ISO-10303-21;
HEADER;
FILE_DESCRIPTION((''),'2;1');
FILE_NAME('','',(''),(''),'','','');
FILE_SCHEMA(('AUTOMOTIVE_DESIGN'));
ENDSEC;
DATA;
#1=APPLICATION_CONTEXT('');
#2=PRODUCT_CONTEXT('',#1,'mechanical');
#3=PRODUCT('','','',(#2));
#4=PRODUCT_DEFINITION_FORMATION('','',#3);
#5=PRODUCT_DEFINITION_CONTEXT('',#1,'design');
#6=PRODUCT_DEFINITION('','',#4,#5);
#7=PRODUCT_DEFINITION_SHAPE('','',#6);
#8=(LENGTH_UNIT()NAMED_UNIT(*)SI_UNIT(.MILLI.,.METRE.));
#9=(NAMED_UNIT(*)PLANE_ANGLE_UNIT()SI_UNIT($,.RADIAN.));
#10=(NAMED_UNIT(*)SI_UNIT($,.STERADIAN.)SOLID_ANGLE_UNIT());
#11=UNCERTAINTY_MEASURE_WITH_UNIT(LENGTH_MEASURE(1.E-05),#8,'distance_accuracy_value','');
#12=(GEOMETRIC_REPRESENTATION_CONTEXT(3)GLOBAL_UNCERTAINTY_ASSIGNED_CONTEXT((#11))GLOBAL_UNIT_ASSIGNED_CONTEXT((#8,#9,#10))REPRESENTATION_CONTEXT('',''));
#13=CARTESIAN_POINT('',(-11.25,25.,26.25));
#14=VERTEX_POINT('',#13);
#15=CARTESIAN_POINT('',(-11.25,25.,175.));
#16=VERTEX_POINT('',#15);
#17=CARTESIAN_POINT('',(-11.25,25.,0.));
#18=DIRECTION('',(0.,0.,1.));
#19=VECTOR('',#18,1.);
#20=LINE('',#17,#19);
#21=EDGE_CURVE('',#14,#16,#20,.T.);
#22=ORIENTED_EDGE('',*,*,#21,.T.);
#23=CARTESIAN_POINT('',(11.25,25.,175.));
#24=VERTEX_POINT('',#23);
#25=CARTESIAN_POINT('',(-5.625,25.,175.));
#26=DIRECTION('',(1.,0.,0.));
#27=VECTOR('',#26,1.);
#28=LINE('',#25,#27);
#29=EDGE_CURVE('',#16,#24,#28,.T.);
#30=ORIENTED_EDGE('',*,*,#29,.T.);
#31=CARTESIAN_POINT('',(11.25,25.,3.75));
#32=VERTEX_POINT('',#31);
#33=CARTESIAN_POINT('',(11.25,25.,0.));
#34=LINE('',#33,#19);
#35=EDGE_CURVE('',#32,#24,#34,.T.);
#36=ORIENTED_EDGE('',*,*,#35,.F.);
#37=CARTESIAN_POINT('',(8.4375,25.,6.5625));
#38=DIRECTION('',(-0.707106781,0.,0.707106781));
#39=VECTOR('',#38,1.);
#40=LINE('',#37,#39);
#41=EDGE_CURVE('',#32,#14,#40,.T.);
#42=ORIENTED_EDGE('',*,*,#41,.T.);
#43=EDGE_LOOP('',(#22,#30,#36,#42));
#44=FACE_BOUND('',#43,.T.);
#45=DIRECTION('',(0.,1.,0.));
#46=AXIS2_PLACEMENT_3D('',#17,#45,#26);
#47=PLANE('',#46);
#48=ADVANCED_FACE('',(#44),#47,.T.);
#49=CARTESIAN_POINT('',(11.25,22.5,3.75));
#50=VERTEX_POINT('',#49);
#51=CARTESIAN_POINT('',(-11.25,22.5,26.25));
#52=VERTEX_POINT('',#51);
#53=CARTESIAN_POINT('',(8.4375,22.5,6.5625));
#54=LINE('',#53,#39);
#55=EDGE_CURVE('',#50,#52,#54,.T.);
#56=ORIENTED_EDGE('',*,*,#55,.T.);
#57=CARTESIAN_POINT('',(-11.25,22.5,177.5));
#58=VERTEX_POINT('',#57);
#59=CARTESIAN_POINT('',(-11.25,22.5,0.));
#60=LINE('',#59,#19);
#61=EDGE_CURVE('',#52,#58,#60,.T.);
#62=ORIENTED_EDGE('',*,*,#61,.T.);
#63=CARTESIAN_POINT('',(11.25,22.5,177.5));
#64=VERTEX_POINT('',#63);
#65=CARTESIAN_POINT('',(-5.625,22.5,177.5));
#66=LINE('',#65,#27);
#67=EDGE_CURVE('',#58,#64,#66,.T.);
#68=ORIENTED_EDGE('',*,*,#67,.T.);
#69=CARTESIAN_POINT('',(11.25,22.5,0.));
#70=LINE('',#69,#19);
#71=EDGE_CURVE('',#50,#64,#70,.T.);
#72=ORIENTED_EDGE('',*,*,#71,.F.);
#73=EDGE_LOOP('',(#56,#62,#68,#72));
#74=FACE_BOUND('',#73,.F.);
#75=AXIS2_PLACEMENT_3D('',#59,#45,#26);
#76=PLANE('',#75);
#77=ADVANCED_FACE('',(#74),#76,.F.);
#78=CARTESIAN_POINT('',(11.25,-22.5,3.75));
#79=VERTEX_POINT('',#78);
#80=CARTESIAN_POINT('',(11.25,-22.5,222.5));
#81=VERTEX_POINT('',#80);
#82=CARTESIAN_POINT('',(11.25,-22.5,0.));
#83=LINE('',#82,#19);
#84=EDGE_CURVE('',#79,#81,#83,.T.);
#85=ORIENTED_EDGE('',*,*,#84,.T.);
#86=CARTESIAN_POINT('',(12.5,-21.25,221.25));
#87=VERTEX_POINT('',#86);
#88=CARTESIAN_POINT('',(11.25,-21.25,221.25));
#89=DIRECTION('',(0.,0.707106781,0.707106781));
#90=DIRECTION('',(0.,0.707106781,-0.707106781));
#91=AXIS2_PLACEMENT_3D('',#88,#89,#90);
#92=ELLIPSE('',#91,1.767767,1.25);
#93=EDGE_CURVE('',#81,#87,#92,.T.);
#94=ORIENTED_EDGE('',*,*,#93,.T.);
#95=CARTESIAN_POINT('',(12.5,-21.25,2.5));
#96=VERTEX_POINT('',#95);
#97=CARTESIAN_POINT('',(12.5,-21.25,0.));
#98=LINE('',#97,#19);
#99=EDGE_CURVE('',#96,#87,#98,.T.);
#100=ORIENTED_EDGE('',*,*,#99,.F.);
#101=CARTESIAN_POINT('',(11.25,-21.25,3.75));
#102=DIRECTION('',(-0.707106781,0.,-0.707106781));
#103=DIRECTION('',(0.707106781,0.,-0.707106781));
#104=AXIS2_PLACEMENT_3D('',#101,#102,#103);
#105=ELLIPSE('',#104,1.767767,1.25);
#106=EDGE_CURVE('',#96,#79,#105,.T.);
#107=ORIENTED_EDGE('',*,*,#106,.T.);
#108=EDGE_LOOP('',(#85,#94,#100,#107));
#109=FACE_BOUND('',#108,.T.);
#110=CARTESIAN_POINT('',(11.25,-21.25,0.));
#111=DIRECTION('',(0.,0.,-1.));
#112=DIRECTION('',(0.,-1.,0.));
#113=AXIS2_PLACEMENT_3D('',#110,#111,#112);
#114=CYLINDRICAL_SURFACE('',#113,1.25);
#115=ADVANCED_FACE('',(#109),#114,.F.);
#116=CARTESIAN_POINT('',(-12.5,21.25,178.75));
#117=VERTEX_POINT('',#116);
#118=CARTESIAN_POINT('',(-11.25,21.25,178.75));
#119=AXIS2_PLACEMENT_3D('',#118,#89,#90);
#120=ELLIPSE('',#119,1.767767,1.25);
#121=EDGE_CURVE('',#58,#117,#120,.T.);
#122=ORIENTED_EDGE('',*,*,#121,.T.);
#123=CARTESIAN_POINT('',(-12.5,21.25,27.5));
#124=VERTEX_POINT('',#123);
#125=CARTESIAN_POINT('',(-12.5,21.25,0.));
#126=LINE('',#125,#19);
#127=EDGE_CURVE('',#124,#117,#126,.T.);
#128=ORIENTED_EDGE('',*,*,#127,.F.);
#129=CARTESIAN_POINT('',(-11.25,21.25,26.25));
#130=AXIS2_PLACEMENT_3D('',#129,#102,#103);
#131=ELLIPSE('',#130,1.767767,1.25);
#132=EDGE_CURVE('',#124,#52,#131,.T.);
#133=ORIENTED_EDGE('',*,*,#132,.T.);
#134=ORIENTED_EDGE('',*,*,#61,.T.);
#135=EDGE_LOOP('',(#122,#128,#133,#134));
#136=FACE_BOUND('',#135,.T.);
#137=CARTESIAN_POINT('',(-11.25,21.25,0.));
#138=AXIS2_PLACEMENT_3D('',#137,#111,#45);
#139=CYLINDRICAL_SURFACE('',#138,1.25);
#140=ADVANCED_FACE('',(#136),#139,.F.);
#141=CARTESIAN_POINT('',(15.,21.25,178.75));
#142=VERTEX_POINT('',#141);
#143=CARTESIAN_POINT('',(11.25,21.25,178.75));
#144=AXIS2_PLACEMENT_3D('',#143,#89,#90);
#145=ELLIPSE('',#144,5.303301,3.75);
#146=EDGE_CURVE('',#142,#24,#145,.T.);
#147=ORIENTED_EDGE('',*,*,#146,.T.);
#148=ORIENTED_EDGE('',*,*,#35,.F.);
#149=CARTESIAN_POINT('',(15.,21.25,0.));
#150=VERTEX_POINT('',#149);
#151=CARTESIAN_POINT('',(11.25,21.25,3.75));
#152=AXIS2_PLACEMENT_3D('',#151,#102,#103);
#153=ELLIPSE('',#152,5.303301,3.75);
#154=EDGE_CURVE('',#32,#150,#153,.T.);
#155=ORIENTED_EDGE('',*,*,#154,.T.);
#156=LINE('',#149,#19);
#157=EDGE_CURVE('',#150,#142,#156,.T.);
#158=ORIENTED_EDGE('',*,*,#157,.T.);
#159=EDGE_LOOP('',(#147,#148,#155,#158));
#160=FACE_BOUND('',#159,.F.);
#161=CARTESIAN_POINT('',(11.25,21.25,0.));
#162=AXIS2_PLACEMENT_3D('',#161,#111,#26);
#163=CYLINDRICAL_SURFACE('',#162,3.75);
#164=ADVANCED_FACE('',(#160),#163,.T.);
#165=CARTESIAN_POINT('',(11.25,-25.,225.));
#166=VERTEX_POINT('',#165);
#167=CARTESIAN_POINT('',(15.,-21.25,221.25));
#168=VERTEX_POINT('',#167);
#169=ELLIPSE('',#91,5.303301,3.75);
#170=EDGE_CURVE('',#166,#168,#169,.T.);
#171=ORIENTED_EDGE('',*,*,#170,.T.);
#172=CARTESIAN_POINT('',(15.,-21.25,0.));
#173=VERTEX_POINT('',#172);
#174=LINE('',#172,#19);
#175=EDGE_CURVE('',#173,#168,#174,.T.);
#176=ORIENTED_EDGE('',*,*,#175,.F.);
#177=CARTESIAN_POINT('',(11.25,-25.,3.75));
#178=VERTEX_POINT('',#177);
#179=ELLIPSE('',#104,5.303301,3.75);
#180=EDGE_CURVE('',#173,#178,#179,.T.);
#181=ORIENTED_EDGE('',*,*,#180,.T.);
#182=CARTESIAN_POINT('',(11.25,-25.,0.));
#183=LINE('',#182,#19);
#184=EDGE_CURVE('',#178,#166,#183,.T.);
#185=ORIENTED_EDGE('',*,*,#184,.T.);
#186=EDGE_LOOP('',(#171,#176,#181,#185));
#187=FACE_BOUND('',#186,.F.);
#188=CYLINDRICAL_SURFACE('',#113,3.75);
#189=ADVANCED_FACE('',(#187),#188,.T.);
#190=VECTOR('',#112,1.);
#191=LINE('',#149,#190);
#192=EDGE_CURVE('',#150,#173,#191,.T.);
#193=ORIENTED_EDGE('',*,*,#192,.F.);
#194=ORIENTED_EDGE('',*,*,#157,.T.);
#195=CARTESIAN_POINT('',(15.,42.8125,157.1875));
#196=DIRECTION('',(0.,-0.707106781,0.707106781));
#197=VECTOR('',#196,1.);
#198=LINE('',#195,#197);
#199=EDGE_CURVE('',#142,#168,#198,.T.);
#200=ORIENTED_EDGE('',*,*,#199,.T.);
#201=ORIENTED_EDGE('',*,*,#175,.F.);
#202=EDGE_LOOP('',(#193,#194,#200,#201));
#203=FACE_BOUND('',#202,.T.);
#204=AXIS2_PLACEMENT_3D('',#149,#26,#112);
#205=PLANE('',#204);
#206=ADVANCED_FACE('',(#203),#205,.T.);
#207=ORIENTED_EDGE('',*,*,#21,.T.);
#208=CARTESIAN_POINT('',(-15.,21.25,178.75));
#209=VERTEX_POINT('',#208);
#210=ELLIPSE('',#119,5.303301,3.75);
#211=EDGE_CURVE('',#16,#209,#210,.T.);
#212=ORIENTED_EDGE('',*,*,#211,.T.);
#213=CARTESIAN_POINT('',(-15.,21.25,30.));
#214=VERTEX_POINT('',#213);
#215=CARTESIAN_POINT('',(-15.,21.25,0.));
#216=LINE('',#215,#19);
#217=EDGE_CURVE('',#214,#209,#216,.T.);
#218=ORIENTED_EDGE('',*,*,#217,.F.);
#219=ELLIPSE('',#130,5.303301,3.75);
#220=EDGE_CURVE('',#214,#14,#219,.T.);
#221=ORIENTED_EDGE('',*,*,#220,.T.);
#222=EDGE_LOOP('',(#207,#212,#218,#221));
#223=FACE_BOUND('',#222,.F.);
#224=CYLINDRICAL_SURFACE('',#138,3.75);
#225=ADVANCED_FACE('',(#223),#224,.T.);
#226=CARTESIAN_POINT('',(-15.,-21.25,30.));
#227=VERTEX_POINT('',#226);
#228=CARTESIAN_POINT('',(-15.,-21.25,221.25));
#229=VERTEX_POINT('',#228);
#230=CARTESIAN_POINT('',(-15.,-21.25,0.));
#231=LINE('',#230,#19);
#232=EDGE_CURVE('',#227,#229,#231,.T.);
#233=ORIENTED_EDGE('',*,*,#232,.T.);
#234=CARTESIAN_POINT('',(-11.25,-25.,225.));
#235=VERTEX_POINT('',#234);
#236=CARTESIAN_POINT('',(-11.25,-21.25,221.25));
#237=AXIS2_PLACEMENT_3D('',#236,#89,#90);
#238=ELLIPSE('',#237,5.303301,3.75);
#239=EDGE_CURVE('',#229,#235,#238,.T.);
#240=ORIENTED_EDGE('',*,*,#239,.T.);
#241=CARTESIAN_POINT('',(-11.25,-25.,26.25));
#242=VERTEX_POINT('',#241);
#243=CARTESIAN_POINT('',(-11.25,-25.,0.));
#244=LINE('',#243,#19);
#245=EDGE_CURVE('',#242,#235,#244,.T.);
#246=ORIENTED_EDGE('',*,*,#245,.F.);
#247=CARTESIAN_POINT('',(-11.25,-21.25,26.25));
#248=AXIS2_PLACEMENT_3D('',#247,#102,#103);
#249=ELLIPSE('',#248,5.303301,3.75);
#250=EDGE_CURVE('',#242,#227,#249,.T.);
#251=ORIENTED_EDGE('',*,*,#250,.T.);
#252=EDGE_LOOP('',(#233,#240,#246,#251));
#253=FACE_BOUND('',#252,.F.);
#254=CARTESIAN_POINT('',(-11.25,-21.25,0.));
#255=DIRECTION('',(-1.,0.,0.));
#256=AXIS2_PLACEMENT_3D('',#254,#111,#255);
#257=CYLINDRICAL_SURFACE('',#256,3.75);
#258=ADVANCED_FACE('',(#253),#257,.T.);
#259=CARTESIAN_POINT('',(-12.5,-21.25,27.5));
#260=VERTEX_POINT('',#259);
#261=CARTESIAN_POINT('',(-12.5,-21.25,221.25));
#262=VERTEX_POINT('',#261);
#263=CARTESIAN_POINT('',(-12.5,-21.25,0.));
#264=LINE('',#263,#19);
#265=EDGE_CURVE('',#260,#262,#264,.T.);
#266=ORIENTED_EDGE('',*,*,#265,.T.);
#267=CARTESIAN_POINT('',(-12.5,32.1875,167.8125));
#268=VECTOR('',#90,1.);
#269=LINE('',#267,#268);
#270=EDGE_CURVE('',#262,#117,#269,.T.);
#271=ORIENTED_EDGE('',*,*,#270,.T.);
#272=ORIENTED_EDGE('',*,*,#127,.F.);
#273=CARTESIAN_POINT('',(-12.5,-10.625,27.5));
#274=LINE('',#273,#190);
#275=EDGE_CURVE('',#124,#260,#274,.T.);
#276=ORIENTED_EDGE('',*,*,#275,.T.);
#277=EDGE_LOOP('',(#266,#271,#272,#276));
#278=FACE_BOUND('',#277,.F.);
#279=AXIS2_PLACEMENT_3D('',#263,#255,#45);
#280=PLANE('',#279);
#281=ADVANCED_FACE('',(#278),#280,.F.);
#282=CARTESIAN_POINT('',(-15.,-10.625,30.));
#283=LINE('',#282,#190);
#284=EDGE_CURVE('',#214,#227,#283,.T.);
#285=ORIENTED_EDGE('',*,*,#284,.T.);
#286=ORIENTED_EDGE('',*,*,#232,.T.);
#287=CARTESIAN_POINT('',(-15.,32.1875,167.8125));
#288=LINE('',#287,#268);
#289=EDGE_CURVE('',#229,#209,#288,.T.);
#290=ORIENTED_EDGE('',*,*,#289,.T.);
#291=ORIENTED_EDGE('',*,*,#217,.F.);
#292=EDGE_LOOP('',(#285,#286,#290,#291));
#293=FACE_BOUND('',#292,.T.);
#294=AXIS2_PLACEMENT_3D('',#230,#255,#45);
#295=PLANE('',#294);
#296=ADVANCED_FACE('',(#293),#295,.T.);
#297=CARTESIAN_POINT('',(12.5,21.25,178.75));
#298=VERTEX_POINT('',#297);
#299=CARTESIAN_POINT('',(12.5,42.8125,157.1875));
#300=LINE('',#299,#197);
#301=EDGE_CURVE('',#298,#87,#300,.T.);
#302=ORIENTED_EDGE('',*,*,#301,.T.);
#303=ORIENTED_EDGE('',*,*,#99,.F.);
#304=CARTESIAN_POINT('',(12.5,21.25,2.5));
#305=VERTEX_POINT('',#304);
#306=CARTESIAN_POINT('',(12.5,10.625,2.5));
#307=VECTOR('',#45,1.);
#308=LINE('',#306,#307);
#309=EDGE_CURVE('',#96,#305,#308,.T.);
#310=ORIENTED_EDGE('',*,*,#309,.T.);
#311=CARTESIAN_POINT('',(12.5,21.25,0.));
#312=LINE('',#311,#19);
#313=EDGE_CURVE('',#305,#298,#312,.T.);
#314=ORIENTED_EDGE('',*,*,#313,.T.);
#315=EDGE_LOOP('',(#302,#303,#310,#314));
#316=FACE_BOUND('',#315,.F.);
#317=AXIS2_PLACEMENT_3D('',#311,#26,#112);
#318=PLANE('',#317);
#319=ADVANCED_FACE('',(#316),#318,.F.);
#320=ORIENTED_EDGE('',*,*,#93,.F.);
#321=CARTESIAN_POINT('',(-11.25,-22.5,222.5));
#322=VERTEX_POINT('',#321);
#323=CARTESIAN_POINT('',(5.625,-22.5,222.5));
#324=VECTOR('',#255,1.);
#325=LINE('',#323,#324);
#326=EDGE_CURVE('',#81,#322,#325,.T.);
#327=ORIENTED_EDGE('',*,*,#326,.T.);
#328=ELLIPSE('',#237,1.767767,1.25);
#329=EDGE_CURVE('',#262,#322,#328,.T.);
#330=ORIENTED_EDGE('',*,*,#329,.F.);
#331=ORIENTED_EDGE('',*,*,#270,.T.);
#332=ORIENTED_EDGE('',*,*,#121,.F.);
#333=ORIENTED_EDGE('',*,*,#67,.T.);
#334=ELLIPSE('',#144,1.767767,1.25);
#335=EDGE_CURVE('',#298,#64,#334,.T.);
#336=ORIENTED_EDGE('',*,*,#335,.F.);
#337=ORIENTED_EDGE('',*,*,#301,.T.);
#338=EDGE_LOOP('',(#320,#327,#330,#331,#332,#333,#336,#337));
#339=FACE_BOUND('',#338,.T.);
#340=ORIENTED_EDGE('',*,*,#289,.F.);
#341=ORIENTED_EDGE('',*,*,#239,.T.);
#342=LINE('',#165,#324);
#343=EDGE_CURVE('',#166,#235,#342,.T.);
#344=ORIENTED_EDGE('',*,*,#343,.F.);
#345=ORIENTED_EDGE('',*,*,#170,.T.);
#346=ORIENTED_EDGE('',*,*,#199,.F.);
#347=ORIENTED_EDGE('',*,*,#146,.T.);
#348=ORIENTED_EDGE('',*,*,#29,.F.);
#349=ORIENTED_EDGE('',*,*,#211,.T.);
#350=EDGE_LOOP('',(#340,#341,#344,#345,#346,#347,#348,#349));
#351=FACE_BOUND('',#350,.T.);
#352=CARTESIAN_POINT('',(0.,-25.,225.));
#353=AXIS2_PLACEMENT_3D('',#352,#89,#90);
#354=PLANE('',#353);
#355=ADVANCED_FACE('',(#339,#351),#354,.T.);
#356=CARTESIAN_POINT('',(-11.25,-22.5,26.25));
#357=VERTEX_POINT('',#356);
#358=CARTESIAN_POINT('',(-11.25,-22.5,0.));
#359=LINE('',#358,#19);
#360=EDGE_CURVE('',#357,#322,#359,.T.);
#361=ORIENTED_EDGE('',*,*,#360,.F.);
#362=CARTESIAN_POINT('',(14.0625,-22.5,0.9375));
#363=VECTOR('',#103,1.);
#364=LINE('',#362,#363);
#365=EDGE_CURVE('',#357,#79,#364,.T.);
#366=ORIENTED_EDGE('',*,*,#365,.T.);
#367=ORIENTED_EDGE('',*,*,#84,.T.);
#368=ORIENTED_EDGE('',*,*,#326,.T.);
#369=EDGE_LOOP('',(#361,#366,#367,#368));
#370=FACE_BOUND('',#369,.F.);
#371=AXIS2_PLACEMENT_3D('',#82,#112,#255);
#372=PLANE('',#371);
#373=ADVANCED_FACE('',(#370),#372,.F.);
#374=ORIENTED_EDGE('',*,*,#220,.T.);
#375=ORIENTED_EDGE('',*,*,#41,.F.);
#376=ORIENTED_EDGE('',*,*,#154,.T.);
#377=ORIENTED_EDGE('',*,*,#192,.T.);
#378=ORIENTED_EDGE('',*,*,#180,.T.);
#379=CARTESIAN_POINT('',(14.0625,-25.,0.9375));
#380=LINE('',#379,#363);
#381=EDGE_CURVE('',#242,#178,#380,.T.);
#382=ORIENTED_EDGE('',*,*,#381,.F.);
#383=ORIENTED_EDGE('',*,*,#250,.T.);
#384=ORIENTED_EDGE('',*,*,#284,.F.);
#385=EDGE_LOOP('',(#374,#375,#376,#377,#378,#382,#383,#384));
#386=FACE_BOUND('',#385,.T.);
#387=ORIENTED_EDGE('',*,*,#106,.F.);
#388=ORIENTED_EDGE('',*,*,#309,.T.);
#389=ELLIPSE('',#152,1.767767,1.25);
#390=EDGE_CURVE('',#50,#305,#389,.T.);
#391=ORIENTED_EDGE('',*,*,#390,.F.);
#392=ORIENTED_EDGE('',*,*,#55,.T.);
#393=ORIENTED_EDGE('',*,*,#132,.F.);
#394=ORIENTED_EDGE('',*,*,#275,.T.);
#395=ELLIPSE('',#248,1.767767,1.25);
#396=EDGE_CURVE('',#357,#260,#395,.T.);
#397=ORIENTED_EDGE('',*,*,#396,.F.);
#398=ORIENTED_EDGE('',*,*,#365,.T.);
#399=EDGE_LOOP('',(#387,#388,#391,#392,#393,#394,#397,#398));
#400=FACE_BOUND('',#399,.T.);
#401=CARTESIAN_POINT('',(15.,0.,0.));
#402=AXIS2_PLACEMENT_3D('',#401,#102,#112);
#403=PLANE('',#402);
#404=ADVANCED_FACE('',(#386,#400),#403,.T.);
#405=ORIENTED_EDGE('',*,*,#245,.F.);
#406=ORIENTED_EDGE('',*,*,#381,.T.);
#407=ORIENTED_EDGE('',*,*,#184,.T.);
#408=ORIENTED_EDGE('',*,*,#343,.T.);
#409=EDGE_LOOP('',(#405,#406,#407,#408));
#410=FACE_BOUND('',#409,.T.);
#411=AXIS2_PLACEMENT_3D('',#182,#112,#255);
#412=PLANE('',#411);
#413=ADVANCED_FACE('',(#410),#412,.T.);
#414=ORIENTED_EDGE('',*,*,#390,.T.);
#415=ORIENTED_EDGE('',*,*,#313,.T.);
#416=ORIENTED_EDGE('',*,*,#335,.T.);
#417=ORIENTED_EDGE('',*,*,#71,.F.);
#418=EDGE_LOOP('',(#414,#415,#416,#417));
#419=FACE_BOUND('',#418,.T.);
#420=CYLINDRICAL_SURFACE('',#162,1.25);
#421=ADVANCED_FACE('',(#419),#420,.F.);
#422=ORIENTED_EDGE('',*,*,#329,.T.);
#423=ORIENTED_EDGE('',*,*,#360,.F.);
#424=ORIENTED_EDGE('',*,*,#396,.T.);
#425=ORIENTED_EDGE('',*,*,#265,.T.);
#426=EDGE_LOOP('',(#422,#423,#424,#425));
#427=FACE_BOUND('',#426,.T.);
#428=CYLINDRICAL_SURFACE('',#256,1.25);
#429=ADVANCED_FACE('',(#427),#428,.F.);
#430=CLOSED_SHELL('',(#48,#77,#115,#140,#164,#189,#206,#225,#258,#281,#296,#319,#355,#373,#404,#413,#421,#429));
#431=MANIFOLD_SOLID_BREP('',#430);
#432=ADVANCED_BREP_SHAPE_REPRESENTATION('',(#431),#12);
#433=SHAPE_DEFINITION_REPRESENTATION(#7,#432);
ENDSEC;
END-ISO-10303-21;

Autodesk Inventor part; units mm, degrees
ref_plane "Plano inicial" through (0, 0, 0) normal (0, 0, 1) x (1, 0, 0)
ref_plane "Plano final" through (0, 0, 225) normal (0, 0, 1) x (1, 0, 0)
sketch "Esboço" plane through (0, 0, 0) normal (0, 0, 1) x (1, 0, 0)
  line L0 (-15, -21.25) -> (-15, 21.25)
  line L1 (-11.25, 25) -> (11.25, 25)
  line L2 (15, 21.25) -> (15, -21.25)
  line L3 (11.25, -25) -> (-11.25, -25)
  arc A0 (-15, -21.25) -> (-11.25, -25) centre (-11.25, -21.25) ccw
  arc A1 (-11.25, 25) -> (-15, 21.25) centre (-11.25, 21.25) ccw
  arc A2 (15, 21.25) -> (11.25, 25) centre (11.25, 21.25) ccw
  arc A3 (11.25, -25) -> (15, -21.25) centre (11.25, -21.25) ccw
  arc A4 (-11.25, 22.5) -> (-12.5, 21.25) centre (-11.25, 21.25) ccw
  line L4 (-11.25, 22.5) -> (11.25, 22.5)
  arc A5 (12.5, 21.25) -> (11.25, 22.5) centre (11.25, 21.25) ccw
  line L5 (12.5, 21.25) -> (12.5, -21.25)
  arc A6 (11.25, -22.5) -> (12.5, -21.25) centre (11.25, -21.25) ccw
  line L6 (11.25, -22.5) -> (-11.25, -22.5)
  arc A7 (-12.5, -21.25) -> (-11.25, -22.5) centre (-11.25, -21.25) ccw
  line L7 (-12.5, -21.25) -> (-12.5, 21.25)
  line L8 (0, 36.0873) -> (0, -36.0873) construction
  line L9 (-22.0873, 0) -> (22.0873, 0) construction
  dimension "d7" = 3.75
  dimension "d10" = 50
  dimension "d11" = 30
  dimension "d12" = 2.5
  dimension "d15" = 25
  dimension "d16" = 15
extrude "Corpo" add sketch "Esboço" along normal up to surface (225 mm away) from surface at 0
sketch "Sketch3" plane through (0, 0, 0) normal (0, 0, 1) x (1, 0, 0)
  line L0 (0, 0) -> (10, 0)
ref_plane "Work Plane3" through (0, 0, 0) normal (0, -1, 0) x (1, 0, 0)
sketch "Sketch4" plane through (0, 0, 0) normal (0, -1, 0) x (1, 0, 0)
  line L0 (-2, 0) -> (12, 0)
  line L1 (-2, 225) -> (12, 225)
  dimension "d18" = 225
ref_plane "Plano de trabalho7" through (0, -25, 225) normal (0, 0.7071, 0.7071) x (1, 0, 0)
split "Dividir4" plane through (0, -25, 225) removes the side toward (0, 0.7071, 0.7071)
ref_plane "Plano de trabalho9" through (15, 0, 0) normal (-0.7071, 0, -0.7071) x (-0.7071, 0, 0.7071)
split "Dividir6" plane through (15, 0, 0) removes the side toward (-0.7071, 0, -0.7071)
equation "\"d7\" = G_IR"
equation "\"d10\" = G_H"
equation "\"d11\" = G_W"
equation "\"d12\" = G_T"
equation "\"d15\" = 0.5 * d10"
equation "\"d16\" = 0.5 * d11"
equation "\"d3\" = G_L"
equation "\"G_W\" = 30"
equation "\"G_H\" = 50"
equation "\"G_T\" = 2.5"
equation "\"G_IR\" = 3.75"
equation "\"G_L\" = d18"
equation "\"G_OFFSET_START\" = 0"
equation "\"d14\" = G_OFFSET_END + B_L"
equation "\"B_L\" = 175"
equation "\"G_OFFSET_END\" = 50"
properties part number "ISO 12633-2 - 50x30x2.5 - 225" material "Aço, suave"
